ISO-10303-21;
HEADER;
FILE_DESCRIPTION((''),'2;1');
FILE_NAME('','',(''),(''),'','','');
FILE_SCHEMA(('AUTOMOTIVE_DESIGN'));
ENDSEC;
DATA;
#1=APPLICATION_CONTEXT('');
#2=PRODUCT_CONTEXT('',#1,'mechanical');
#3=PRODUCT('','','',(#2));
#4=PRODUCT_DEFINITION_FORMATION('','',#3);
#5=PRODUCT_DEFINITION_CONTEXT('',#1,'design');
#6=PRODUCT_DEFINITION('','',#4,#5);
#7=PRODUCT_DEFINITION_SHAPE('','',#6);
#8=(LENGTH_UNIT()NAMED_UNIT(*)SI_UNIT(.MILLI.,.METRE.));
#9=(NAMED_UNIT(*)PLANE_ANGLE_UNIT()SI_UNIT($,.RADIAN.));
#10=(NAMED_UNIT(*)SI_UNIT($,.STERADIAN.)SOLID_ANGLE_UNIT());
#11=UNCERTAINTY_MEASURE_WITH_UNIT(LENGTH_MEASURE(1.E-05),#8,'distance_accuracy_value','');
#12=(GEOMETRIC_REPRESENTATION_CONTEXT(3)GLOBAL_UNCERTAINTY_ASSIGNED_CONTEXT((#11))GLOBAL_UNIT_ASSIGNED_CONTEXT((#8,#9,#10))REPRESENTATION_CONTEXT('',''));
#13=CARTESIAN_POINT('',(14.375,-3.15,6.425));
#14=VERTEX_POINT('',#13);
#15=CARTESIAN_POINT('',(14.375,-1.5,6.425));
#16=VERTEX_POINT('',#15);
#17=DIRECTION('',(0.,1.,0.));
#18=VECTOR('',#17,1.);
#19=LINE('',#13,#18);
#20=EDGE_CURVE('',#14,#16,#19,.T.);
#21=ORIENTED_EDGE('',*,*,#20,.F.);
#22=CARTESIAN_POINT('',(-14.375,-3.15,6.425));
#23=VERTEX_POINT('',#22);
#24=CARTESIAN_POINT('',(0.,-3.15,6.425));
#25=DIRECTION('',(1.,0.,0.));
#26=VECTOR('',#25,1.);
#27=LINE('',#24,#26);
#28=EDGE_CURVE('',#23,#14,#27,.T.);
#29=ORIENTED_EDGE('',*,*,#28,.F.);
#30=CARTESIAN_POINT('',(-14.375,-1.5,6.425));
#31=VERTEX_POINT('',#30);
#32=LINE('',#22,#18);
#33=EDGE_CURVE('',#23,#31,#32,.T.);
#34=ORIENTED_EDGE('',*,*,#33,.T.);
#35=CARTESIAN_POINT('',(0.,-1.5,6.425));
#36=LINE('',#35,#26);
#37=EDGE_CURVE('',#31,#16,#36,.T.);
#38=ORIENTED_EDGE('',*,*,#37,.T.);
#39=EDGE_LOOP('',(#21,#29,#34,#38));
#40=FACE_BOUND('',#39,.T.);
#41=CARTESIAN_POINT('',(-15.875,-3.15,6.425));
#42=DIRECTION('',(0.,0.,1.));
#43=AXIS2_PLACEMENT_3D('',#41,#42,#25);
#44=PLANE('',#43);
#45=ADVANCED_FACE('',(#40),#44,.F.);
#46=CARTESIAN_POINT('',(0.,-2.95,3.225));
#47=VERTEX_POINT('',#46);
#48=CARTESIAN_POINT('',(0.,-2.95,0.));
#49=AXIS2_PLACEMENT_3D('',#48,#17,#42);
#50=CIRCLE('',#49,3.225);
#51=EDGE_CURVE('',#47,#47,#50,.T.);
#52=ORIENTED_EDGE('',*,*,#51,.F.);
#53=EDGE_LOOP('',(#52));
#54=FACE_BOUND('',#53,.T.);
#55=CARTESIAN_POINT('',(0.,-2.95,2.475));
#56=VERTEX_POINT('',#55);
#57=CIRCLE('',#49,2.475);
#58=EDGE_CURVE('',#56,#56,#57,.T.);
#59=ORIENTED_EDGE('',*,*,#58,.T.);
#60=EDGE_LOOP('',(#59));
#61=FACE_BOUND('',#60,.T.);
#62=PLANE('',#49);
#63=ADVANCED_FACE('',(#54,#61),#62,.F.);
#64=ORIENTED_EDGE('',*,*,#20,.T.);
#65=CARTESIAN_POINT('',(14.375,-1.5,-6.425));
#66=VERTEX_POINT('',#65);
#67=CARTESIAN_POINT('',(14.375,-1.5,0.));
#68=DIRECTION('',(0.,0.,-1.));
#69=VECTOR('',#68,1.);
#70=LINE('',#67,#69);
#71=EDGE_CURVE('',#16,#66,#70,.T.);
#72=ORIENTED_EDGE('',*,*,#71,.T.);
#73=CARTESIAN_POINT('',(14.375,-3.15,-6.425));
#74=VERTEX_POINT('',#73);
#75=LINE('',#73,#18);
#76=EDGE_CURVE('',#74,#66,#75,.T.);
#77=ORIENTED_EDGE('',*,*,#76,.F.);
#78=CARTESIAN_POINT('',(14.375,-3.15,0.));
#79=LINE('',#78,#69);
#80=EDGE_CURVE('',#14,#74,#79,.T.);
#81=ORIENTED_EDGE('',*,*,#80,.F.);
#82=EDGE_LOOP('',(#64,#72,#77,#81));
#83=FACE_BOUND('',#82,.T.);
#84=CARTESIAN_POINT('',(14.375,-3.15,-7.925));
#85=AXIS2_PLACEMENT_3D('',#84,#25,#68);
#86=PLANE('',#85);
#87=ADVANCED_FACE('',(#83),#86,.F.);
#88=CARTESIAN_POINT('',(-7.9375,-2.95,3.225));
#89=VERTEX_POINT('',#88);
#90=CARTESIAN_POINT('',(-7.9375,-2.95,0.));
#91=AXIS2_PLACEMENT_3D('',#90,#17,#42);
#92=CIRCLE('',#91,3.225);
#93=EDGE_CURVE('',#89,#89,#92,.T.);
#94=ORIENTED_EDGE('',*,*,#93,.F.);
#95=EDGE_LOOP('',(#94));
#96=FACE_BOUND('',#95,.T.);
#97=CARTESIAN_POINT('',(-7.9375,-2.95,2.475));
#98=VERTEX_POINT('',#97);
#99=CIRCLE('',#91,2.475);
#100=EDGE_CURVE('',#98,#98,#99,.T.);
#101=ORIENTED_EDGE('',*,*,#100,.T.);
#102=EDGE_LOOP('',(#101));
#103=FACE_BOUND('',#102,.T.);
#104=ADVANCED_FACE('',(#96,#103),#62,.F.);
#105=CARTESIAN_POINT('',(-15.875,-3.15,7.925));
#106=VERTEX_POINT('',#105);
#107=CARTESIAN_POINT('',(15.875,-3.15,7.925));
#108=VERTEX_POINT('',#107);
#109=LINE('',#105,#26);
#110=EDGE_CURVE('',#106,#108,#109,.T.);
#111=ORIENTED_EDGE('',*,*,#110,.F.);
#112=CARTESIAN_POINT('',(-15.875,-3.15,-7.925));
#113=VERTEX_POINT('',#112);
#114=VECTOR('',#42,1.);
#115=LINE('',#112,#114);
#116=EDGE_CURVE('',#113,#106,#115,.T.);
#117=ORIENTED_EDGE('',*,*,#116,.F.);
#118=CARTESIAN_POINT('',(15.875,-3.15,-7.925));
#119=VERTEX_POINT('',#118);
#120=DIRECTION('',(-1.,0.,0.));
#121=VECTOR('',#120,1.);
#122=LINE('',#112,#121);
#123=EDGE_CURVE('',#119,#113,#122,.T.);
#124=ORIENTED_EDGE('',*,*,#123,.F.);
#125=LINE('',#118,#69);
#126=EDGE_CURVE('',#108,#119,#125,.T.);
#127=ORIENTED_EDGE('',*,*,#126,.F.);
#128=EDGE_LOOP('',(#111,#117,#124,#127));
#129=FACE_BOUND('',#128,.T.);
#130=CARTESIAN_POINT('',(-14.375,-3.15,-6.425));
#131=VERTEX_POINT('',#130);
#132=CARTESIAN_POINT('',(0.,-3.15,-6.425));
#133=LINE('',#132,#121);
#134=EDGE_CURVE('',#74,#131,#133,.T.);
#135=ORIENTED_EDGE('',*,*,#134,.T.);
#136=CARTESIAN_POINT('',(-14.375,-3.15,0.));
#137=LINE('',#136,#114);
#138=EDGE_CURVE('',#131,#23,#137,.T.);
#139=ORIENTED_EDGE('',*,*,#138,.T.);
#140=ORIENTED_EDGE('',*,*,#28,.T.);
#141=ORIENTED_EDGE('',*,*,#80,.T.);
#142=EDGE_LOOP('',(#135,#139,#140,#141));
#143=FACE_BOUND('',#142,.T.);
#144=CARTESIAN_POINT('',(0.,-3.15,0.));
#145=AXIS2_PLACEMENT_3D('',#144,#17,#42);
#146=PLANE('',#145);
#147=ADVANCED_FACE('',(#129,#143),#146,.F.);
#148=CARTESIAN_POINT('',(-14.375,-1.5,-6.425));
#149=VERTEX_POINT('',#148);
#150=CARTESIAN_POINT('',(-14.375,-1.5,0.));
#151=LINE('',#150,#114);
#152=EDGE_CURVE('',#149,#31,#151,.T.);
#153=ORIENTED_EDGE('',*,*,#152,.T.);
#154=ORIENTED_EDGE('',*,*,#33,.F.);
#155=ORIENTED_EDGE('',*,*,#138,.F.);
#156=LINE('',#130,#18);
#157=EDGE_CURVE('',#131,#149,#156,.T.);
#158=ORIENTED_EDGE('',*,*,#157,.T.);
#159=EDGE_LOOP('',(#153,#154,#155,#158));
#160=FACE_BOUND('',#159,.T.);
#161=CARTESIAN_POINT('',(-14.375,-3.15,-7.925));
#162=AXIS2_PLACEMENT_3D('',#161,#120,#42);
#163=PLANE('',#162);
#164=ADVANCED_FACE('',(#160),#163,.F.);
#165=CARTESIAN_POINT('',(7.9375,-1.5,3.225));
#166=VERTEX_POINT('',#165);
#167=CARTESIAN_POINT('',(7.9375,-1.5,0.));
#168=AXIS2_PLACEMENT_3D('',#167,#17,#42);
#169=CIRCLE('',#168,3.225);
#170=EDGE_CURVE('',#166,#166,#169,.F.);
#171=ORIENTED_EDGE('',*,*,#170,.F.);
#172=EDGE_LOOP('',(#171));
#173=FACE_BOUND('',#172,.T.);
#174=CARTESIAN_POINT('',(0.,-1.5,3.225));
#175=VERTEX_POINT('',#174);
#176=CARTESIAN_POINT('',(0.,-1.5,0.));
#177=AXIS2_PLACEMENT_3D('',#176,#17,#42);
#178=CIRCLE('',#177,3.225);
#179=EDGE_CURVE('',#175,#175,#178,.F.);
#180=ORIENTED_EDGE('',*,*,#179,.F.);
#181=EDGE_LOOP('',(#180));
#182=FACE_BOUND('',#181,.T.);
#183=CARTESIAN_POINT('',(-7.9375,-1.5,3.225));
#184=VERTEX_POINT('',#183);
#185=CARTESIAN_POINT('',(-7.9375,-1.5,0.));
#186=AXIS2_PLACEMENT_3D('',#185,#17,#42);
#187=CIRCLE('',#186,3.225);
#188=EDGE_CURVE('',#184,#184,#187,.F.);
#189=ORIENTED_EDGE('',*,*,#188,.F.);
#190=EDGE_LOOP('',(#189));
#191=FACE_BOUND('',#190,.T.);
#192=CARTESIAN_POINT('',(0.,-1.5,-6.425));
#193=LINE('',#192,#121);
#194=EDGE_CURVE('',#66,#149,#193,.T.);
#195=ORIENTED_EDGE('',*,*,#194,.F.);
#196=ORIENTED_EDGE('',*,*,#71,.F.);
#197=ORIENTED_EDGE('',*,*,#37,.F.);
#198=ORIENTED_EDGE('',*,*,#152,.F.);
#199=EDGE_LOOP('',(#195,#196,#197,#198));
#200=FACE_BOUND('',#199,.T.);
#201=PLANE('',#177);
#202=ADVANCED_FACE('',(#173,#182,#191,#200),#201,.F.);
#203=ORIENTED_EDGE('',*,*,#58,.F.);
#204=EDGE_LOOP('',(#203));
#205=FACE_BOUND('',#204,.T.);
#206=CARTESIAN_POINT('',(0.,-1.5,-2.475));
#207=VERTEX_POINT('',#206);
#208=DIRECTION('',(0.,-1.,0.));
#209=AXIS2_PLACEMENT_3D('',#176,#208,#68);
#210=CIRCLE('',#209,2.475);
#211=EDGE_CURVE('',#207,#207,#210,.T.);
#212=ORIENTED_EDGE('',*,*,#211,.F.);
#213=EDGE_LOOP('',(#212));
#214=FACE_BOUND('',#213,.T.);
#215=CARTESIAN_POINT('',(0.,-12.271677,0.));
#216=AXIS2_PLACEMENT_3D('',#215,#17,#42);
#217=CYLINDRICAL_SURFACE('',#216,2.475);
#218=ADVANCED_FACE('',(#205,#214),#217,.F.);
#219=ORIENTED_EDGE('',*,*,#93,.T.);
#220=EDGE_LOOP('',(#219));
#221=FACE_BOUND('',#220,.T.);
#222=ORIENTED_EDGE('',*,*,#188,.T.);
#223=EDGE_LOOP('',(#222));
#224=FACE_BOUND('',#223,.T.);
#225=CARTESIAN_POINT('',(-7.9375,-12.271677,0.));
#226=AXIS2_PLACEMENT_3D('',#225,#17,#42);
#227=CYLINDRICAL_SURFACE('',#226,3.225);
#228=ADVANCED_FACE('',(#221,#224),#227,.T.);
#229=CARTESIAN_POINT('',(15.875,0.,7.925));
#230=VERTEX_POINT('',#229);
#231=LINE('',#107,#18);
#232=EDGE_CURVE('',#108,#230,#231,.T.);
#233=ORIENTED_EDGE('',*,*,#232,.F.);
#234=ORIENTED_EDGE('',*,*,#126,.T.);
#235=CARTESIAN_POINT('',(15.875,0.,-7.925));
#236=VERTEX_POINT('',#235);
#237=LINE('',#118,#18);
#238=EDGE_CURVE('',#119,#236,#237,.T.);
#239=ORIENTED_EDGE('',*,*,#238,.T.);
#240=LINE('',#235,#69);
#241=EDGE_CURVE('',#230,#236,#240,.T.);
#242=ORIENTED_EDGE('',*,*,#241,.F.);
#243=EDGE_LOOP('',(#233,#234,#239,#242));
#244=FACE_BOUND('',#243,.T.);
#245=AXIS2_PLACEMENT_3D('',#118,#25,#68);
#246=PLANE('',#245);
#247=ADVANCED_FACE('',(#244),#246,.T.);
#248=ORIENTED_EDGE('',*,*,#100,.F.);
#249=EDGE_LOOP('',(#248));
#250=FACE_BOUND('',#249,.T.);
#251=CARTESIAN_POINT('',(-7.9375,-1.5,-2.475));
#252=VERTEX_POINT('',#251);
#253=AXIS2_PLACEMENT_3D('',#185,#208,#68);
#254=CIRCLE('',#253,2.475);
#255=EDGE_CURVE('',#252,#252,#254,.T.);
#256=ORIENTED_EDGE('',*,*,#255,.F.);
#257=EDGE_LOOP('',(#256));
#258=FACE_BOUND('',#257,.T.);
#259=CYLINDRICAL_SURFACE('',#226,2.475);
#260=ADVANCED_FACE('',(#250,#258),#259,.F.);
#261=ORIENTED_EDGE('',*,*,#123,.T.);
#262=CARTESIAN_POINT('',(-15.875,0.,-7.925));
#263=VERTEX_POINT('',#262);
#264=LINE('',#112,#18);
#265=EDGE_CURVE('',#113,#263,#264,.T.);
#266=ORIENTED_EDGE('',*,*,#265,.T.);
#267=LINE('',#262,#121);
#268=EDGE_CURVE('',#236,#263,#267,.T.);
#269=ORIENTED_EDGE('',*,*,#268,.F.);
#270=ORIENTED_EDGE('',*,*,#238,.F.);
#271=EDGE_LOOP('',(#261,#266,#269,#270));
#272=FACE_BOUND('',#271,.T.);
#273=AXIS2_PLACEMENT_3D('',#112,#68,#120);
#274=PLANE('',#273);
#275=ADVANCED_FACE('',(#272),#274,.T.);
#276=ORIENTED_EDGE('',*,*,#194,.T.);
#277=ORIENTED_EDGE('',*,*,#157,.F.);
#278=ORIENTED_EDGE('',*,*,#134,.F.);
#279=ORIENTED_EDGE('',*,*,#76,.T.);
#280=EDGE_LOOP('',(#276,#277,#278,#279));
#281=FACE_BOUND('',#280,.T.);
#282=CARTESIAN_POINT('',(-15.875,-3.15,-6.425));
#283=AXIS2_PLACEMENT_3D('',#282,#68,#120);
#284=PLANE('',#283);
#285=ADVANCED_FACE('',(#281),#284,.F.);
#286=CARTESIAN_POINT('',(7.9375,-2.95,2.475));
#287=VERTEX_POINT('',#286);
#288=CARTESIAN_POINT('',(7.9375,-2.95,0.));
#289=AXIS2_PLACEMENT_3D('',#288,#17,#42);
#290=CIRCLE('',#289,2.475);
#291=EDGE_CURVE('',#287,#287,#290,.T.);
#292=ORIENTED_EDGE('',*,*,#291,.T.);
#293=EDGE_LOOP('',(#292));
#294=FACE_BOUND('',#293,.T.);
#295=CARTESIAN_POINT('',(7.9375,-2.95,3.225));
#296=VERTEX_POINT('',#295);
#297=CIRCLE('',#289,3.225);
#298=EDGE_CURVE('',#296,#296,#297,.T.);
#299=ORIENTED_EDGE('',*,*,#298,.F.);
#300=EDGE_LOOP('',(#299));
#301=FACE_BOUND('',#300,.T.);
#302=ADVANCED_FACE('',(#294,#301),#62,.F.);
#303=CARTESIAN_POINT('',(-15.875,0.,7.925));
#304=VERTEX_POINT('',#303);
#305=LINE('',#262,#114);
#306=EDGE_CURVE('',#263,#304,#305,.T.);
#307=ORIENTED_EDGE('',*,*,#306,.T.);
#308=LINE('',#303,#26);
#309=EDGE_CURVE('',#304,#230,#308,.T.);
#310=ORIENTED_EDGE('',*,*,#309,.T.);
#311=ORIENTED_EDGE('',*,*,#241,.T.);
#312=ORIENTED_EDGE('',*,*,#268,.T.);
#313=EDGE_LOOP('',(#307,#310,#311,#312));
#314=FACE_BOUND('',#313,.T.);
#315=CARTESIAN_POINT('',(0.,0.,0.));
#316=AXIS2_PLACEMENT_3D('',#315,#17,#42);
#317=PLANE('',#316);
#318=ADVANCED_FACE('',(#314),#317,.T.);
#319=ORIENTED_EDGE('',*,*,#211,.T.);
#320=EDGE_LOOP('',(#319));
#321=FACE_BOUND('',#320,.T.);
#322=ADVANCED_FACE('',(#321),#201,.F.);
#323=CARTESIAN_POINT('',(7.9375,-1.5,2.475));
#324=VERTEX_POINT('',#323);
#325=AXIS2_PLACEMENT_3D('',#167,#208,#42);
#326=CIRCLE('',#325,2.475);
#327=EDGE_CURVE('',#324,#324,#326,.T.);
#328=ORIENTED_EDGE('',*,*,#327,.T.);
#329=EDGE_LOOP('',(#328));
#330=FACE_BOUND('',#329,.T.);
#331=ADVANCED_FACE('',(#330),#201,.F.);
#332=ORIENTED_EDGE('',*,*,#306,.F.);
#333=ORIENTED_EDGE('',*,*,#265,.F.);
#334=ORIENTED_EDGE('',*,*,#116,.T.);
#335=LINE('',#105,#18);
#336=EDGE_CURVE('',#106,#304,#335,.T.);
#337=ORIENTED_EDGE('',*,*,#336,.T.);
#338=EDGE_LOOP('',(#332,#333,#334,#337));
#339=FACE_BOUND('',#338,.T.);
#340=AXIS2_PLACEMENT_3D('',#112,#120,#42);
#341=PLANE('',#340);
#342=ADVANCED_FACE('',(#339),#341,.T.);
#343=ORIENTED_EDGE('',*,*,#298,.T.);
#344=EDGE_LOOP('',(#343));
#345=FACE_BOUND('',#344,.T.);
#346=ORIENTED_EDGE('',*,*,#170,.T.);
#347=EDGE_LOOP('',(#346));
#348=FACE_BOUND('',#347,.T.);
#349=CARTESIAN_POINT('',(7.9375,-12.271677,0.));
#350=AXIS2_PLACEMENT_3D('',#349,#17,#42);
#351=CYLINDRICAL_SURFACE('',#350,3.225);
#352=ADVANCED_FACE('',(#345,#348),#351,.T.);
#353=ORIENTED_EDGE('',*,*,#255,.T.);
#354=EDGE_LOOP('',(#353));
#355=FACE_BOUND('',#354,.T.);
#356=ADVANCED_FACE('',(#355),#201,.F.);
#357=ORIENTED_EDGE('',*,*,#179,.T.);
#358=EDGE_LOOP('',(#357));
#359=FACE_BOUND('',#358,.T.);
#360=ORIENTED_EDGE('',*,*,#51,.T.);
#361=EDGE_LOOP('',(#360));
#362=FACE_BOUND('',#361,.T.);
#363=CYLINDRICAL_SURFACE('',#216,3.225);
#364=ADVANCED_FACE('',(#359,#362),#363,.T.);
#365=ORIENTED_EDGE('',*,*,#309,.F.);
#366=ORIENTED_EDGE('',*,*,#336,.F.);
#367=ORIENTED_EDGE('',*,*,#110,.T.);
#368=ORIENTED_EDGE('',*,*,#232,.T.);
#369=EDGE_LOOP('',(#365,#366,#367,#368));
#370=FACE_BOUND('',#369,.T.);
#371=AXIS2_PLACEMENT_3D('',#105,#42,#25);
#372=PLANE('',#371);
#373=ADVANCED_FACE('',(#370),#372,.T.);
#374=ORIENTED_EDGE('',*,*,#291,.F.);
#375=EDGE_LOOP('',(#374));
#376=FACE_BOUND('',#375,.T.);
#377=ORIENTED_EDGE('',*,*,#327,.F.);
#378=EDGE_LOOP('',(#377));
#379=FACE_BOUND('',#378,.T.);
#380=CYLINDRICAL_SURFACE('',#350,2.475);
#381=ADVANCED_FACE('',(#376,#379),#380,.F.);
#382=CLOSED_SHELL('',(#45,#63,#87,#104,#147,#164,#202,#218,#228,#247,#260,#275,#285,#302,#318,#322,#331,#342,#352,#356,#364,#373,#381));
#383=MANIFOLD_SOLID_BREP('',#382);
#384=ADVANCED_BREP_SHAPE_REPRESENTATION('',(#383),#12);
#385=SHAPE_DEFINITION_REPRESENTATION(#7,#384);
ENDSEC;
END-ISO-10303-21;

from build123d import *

# Parameters (mm, degrees)
SKETCH2_W           = 31.75
SKETCH2_H           = 15.85
BOSS_EXTRUDE1_DEPTH = 3.15
SHELL1_T            = -1.5
SKETCH3_R           = 3.225
SKETCH3_R_2         = 2.475
BOSS_EXTRUDE2_DEPTH = 1.45


with BuildPart() as part:
    # Sketch2 → Boss-Extrude1 (new body)
    with BuildSketch(Plane(origin=(0, 0, 0), x_dir=(1, 0, 0), z_dir=(0, 1, 0))):
        Rectangle(SKETCH2_W, SKETCH2_H)
    extrude(amount=-BOSS_EXTRUDE1_DEPTH)

    # Shell1
    shell1_openings = [part.faces().sort_by_distance(p)[0] for p in [
        (0, -3.15, 0),
    ]]
    offset(amount=SHELL1_T, openings=shell1_openings, kind=Kind.INTERSECTION)

    # Sketch3 → Boss-Extrude2 (add)
    # profile 1 of 3: a face of its own
    with BuildSketch(Plane.XZ.offset(1.5)):
        with Locations(Location((0, 0, 0), (0, 0, 90))):
            Circle(SKETCH3_R)
        with Locations(Location((0, 0, 0), (0, 0, 90))):
            Circle(SKETCH3_R_2, mode=Mode.SUBTRACT)
    # profile 2 of 3: a face of its own
    with BuildSketch(Plane.XZ.offset(1.5)):
        with Locations(Location((-7.9375, 0, 0), (0, 0, 90))):
            Circle(SKETCH3_R)
        with Locations(Location((-7.9375, 0, 0), (0, 0, 90))):
            Circle(SKETCH3_R_2, mode=Mode.SUBTRACT)
    # profile 3 of 3: a face of its own
    with BuildSketch(Plane.XZ.offset(1.5)):
        with Locations(Location((7.9375, 0, 0), (0, 0, 90))):
            Circle(SKETCH3_R)
        with Locations(Location((7.9375, 0, 0), (0, 0, 90))):
            Circle(SKETCH3_R_2, mode=Mode.SUBTRACT)
    extrude(amount=BOSS_EXTRUDE2_DEPTH)


solid = part.part
